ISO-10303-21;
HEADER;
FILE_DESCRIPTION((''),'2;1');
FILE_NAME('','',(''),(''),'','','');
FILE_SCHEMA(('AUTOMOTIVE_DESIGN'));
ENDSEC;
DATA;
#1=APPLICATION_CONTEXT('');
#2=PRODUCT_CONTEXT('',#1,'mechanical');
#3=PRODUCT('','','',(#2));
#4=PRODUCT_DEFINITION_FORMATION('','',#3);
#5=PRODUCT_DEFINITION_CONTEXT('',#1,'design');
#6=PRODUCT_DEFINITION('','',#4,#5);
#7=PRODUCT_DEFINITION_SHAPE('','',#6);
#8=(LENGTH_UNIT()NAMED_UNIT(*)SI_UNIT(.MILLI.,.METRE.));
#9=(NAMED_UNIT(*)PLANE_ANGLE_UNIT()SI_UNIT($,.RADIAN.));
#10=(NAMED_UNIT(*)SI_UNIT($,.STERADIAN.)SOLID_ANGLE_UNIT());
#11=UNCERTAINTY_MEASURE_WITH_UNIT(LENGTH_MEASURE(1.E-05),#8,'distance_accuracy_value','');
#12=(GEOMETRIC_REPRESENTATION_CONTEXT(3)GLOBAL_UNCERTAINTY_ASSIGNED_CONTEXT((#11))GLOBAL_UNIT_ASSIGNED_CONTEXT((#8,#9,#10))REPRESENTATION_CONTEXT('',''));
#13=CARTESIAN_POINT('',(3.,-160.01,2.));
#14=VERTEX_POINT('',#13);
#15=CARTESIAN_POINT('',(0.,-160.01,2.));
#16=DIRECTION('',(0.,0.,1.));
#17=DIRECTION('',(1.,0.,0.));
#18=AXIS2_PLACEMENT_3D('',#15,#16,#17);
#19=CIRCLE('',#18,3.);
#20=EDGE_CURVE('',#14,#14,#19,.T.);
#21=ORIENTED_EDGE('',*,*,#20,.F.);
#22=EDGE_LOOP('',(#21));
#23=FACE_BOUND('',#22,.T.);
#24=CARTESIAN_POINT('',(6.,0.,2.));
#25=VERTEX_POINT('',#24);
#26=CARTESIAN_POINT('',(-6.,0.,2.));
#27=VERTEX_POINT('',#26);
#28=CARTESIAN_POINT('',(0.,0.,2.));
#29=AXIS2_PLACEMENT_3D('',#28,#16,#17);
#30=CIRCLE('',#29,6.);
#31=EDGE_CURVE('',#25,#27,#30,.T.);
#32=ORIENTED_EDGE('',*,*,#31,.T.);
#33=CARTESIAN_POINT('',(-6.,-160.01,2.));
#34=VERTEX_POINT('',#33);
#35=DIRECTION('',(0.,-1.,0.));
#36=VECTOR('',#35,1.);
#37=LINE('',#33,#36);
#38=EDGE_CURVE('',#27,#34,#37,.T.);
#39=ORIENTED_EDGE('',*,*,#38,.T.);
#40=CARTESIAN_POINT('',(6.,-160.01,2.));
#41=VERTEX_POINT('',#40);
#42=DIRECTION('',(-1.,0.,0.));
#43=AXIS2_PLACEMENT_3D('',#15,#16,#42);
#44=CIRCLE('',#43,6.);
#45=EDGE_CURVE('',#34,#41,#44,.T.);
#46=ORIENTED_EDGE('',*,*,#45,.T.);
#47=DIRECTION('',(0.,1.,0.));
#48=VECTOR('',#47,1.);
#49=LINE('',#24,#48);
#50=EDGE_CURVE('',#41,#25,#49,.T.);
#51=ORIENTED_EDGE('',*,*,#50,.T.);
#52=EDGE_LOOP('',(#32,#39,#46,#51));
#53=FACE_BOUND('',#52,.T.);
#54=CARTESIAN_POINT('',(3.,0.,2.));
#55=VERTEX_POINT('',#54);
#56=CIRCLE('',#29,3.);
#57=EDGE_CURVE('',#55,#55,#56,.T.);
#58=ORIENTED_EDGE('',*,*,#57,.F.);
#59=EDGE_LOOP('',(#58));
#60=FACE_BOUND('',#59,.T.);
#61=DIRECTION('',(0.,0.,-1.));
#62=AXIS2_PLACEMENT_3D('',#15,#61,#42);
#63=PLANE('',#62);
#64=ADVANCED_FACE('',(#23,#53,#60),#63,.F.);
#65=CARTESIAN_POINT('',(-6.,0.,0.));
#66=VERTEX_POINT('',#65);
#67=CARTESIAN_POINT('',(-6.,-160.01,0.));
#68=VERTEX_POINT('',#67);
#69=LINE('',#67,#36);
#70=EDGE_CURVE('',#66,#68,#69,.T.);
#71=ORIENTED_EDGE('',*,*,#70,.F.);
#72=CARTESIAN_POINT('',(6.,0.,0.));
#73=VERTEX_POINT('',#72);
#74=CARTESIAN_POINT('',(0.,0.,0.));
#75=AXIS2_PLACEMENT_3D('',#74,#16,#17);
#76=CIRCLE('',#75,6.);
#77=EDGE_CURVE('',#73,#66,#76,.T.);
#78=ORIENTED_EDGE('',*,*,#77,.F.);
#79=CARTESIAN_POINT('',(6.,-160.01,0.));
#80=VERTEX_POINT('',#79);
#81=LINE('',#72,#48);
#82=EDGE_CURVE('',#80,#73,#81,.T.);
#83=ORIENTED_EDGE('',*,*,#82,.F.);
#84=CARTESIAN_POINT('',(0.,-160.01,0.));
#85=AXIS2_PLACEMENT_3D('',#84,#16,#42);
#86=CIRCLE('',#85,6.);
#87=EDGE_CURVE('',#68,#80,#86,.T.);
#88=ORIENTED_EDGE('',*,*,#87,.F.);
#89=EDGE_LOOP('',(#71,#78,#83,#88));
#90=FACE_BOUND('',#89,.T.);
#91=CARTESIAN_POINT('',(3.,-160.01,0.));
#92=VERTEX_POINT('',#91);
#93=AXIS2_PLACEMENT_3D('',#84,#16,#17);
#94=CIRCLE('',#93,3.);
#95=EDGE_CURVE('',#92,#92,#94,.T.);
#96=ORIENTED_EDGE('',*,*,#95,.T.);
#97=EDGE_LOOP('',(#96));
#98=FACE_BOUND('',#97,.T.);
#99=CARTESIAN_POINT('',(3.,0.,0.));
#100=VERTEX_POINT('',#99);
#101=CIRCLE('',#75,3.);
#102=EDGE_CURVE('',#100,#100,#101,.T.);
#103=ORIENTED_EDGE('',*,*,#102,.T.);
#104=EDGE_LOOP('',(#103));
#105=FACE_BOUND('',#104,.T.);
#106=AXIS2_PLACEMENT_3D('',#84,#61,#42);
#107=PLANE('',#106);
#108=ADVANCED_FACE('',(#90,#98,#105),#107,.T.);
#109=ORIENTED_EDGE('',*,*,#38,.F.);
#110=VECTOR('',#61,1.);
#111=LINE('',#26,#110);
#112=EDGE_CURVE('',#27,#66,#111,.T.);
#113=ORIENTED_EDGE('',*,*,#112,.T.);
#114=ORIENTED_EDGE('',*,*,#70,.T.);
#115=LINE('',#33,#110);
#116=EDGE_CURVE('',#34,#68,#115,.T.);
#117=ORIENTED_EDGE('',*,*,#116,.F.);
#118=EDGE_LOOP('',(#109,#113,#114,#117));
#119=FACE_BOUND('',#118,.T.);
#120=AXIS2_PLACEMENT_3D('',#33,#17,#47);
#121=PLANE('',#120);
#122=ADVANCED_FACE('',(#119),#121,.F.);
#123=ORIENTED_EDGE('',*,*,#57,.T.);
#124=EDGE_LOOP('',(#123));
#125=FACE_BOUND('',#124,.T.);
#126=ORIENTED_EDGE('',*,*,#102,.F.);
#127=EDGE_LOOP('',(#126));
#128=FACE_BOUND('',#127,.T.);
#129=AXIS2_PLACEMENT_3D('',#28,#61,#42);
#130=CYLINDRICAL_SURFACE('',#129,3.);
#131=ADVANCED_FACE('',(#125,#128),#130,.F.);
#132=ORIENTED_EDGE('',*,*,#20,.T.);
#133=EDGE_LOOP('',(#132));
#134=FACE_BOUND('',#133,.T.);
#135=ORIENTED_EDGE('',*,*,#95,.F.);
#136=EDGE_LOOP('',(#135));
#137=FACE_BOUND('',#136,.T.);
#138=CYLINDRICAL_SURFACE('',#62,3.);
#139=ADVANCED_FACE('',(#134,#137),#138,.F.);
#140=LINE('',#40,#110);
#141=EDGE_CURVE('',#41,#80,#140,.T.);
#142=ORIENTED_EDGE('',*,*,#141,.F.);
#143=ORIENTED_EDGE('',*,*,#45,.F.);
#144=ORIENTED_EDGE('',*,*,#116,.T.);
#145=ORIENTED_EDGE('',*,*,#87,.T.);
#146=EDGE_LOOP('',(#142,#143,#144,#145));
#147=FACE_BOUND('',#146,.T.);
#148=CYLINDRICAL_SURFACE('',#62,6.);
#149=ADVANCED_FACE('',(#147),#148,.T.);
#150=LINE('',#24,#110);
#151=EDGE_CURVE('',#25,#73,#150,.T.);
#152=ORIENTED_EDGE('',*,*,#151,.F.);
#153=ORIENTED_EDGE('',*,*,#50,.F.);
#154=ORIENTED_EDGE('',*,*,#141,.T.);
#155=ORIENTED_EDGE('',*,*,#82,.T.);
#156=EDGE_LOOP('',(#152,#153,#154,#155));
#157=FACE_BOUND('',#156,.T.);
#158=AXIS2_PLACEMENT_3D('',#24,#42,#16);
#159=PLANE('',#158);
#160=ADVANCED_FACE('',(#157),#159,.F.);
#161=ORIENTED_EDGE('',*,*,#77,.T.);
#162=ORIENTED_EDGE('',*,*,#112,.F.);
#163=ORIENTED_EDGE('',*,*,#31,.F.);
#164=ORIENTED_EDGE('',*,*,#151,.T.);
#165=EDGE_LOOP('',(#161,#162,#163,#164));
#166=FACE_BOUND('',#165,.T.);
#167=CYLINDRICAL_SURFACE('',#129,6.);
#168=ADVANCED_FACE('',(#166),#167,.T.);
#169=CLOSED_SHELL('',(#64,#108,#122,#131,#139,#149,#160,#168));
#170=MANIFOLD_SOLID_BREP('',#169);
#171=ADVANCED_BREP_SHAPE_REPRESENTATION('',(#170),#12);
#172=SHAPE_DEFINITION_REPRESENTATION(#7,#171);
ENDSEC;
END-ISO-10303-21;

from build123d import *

# Parameters (mm, degrees)
SKETCH_1_R      = 3
EXTRUDE_1_DEPTH = 2


with BuildPart() as part:
    # 草图1 → 凸台-拉伸1 (new body)
    with BuildSketch(Plane.XY):
        with BuildLine():
            Line((6, 0), (6, -160.01))
            ThreePointArc((6, -160.01), (0, -166.01), (-6, -160.01))
            Line((-6, -160.01), (-6, 0))
            ThreePointArc((-6, 0), (0, 6), (6, 0))
        make_face()
        Circle(SKETCH_1_R, mode=Mode.SUBTRACT)
        with Locations((0, -160.01)):
            Circle(SKETCH_1_R, mode=Mode.SUBTRACT)
    extrude(amount=EXTRUDE_1_DEPTH)


solid = part.part
